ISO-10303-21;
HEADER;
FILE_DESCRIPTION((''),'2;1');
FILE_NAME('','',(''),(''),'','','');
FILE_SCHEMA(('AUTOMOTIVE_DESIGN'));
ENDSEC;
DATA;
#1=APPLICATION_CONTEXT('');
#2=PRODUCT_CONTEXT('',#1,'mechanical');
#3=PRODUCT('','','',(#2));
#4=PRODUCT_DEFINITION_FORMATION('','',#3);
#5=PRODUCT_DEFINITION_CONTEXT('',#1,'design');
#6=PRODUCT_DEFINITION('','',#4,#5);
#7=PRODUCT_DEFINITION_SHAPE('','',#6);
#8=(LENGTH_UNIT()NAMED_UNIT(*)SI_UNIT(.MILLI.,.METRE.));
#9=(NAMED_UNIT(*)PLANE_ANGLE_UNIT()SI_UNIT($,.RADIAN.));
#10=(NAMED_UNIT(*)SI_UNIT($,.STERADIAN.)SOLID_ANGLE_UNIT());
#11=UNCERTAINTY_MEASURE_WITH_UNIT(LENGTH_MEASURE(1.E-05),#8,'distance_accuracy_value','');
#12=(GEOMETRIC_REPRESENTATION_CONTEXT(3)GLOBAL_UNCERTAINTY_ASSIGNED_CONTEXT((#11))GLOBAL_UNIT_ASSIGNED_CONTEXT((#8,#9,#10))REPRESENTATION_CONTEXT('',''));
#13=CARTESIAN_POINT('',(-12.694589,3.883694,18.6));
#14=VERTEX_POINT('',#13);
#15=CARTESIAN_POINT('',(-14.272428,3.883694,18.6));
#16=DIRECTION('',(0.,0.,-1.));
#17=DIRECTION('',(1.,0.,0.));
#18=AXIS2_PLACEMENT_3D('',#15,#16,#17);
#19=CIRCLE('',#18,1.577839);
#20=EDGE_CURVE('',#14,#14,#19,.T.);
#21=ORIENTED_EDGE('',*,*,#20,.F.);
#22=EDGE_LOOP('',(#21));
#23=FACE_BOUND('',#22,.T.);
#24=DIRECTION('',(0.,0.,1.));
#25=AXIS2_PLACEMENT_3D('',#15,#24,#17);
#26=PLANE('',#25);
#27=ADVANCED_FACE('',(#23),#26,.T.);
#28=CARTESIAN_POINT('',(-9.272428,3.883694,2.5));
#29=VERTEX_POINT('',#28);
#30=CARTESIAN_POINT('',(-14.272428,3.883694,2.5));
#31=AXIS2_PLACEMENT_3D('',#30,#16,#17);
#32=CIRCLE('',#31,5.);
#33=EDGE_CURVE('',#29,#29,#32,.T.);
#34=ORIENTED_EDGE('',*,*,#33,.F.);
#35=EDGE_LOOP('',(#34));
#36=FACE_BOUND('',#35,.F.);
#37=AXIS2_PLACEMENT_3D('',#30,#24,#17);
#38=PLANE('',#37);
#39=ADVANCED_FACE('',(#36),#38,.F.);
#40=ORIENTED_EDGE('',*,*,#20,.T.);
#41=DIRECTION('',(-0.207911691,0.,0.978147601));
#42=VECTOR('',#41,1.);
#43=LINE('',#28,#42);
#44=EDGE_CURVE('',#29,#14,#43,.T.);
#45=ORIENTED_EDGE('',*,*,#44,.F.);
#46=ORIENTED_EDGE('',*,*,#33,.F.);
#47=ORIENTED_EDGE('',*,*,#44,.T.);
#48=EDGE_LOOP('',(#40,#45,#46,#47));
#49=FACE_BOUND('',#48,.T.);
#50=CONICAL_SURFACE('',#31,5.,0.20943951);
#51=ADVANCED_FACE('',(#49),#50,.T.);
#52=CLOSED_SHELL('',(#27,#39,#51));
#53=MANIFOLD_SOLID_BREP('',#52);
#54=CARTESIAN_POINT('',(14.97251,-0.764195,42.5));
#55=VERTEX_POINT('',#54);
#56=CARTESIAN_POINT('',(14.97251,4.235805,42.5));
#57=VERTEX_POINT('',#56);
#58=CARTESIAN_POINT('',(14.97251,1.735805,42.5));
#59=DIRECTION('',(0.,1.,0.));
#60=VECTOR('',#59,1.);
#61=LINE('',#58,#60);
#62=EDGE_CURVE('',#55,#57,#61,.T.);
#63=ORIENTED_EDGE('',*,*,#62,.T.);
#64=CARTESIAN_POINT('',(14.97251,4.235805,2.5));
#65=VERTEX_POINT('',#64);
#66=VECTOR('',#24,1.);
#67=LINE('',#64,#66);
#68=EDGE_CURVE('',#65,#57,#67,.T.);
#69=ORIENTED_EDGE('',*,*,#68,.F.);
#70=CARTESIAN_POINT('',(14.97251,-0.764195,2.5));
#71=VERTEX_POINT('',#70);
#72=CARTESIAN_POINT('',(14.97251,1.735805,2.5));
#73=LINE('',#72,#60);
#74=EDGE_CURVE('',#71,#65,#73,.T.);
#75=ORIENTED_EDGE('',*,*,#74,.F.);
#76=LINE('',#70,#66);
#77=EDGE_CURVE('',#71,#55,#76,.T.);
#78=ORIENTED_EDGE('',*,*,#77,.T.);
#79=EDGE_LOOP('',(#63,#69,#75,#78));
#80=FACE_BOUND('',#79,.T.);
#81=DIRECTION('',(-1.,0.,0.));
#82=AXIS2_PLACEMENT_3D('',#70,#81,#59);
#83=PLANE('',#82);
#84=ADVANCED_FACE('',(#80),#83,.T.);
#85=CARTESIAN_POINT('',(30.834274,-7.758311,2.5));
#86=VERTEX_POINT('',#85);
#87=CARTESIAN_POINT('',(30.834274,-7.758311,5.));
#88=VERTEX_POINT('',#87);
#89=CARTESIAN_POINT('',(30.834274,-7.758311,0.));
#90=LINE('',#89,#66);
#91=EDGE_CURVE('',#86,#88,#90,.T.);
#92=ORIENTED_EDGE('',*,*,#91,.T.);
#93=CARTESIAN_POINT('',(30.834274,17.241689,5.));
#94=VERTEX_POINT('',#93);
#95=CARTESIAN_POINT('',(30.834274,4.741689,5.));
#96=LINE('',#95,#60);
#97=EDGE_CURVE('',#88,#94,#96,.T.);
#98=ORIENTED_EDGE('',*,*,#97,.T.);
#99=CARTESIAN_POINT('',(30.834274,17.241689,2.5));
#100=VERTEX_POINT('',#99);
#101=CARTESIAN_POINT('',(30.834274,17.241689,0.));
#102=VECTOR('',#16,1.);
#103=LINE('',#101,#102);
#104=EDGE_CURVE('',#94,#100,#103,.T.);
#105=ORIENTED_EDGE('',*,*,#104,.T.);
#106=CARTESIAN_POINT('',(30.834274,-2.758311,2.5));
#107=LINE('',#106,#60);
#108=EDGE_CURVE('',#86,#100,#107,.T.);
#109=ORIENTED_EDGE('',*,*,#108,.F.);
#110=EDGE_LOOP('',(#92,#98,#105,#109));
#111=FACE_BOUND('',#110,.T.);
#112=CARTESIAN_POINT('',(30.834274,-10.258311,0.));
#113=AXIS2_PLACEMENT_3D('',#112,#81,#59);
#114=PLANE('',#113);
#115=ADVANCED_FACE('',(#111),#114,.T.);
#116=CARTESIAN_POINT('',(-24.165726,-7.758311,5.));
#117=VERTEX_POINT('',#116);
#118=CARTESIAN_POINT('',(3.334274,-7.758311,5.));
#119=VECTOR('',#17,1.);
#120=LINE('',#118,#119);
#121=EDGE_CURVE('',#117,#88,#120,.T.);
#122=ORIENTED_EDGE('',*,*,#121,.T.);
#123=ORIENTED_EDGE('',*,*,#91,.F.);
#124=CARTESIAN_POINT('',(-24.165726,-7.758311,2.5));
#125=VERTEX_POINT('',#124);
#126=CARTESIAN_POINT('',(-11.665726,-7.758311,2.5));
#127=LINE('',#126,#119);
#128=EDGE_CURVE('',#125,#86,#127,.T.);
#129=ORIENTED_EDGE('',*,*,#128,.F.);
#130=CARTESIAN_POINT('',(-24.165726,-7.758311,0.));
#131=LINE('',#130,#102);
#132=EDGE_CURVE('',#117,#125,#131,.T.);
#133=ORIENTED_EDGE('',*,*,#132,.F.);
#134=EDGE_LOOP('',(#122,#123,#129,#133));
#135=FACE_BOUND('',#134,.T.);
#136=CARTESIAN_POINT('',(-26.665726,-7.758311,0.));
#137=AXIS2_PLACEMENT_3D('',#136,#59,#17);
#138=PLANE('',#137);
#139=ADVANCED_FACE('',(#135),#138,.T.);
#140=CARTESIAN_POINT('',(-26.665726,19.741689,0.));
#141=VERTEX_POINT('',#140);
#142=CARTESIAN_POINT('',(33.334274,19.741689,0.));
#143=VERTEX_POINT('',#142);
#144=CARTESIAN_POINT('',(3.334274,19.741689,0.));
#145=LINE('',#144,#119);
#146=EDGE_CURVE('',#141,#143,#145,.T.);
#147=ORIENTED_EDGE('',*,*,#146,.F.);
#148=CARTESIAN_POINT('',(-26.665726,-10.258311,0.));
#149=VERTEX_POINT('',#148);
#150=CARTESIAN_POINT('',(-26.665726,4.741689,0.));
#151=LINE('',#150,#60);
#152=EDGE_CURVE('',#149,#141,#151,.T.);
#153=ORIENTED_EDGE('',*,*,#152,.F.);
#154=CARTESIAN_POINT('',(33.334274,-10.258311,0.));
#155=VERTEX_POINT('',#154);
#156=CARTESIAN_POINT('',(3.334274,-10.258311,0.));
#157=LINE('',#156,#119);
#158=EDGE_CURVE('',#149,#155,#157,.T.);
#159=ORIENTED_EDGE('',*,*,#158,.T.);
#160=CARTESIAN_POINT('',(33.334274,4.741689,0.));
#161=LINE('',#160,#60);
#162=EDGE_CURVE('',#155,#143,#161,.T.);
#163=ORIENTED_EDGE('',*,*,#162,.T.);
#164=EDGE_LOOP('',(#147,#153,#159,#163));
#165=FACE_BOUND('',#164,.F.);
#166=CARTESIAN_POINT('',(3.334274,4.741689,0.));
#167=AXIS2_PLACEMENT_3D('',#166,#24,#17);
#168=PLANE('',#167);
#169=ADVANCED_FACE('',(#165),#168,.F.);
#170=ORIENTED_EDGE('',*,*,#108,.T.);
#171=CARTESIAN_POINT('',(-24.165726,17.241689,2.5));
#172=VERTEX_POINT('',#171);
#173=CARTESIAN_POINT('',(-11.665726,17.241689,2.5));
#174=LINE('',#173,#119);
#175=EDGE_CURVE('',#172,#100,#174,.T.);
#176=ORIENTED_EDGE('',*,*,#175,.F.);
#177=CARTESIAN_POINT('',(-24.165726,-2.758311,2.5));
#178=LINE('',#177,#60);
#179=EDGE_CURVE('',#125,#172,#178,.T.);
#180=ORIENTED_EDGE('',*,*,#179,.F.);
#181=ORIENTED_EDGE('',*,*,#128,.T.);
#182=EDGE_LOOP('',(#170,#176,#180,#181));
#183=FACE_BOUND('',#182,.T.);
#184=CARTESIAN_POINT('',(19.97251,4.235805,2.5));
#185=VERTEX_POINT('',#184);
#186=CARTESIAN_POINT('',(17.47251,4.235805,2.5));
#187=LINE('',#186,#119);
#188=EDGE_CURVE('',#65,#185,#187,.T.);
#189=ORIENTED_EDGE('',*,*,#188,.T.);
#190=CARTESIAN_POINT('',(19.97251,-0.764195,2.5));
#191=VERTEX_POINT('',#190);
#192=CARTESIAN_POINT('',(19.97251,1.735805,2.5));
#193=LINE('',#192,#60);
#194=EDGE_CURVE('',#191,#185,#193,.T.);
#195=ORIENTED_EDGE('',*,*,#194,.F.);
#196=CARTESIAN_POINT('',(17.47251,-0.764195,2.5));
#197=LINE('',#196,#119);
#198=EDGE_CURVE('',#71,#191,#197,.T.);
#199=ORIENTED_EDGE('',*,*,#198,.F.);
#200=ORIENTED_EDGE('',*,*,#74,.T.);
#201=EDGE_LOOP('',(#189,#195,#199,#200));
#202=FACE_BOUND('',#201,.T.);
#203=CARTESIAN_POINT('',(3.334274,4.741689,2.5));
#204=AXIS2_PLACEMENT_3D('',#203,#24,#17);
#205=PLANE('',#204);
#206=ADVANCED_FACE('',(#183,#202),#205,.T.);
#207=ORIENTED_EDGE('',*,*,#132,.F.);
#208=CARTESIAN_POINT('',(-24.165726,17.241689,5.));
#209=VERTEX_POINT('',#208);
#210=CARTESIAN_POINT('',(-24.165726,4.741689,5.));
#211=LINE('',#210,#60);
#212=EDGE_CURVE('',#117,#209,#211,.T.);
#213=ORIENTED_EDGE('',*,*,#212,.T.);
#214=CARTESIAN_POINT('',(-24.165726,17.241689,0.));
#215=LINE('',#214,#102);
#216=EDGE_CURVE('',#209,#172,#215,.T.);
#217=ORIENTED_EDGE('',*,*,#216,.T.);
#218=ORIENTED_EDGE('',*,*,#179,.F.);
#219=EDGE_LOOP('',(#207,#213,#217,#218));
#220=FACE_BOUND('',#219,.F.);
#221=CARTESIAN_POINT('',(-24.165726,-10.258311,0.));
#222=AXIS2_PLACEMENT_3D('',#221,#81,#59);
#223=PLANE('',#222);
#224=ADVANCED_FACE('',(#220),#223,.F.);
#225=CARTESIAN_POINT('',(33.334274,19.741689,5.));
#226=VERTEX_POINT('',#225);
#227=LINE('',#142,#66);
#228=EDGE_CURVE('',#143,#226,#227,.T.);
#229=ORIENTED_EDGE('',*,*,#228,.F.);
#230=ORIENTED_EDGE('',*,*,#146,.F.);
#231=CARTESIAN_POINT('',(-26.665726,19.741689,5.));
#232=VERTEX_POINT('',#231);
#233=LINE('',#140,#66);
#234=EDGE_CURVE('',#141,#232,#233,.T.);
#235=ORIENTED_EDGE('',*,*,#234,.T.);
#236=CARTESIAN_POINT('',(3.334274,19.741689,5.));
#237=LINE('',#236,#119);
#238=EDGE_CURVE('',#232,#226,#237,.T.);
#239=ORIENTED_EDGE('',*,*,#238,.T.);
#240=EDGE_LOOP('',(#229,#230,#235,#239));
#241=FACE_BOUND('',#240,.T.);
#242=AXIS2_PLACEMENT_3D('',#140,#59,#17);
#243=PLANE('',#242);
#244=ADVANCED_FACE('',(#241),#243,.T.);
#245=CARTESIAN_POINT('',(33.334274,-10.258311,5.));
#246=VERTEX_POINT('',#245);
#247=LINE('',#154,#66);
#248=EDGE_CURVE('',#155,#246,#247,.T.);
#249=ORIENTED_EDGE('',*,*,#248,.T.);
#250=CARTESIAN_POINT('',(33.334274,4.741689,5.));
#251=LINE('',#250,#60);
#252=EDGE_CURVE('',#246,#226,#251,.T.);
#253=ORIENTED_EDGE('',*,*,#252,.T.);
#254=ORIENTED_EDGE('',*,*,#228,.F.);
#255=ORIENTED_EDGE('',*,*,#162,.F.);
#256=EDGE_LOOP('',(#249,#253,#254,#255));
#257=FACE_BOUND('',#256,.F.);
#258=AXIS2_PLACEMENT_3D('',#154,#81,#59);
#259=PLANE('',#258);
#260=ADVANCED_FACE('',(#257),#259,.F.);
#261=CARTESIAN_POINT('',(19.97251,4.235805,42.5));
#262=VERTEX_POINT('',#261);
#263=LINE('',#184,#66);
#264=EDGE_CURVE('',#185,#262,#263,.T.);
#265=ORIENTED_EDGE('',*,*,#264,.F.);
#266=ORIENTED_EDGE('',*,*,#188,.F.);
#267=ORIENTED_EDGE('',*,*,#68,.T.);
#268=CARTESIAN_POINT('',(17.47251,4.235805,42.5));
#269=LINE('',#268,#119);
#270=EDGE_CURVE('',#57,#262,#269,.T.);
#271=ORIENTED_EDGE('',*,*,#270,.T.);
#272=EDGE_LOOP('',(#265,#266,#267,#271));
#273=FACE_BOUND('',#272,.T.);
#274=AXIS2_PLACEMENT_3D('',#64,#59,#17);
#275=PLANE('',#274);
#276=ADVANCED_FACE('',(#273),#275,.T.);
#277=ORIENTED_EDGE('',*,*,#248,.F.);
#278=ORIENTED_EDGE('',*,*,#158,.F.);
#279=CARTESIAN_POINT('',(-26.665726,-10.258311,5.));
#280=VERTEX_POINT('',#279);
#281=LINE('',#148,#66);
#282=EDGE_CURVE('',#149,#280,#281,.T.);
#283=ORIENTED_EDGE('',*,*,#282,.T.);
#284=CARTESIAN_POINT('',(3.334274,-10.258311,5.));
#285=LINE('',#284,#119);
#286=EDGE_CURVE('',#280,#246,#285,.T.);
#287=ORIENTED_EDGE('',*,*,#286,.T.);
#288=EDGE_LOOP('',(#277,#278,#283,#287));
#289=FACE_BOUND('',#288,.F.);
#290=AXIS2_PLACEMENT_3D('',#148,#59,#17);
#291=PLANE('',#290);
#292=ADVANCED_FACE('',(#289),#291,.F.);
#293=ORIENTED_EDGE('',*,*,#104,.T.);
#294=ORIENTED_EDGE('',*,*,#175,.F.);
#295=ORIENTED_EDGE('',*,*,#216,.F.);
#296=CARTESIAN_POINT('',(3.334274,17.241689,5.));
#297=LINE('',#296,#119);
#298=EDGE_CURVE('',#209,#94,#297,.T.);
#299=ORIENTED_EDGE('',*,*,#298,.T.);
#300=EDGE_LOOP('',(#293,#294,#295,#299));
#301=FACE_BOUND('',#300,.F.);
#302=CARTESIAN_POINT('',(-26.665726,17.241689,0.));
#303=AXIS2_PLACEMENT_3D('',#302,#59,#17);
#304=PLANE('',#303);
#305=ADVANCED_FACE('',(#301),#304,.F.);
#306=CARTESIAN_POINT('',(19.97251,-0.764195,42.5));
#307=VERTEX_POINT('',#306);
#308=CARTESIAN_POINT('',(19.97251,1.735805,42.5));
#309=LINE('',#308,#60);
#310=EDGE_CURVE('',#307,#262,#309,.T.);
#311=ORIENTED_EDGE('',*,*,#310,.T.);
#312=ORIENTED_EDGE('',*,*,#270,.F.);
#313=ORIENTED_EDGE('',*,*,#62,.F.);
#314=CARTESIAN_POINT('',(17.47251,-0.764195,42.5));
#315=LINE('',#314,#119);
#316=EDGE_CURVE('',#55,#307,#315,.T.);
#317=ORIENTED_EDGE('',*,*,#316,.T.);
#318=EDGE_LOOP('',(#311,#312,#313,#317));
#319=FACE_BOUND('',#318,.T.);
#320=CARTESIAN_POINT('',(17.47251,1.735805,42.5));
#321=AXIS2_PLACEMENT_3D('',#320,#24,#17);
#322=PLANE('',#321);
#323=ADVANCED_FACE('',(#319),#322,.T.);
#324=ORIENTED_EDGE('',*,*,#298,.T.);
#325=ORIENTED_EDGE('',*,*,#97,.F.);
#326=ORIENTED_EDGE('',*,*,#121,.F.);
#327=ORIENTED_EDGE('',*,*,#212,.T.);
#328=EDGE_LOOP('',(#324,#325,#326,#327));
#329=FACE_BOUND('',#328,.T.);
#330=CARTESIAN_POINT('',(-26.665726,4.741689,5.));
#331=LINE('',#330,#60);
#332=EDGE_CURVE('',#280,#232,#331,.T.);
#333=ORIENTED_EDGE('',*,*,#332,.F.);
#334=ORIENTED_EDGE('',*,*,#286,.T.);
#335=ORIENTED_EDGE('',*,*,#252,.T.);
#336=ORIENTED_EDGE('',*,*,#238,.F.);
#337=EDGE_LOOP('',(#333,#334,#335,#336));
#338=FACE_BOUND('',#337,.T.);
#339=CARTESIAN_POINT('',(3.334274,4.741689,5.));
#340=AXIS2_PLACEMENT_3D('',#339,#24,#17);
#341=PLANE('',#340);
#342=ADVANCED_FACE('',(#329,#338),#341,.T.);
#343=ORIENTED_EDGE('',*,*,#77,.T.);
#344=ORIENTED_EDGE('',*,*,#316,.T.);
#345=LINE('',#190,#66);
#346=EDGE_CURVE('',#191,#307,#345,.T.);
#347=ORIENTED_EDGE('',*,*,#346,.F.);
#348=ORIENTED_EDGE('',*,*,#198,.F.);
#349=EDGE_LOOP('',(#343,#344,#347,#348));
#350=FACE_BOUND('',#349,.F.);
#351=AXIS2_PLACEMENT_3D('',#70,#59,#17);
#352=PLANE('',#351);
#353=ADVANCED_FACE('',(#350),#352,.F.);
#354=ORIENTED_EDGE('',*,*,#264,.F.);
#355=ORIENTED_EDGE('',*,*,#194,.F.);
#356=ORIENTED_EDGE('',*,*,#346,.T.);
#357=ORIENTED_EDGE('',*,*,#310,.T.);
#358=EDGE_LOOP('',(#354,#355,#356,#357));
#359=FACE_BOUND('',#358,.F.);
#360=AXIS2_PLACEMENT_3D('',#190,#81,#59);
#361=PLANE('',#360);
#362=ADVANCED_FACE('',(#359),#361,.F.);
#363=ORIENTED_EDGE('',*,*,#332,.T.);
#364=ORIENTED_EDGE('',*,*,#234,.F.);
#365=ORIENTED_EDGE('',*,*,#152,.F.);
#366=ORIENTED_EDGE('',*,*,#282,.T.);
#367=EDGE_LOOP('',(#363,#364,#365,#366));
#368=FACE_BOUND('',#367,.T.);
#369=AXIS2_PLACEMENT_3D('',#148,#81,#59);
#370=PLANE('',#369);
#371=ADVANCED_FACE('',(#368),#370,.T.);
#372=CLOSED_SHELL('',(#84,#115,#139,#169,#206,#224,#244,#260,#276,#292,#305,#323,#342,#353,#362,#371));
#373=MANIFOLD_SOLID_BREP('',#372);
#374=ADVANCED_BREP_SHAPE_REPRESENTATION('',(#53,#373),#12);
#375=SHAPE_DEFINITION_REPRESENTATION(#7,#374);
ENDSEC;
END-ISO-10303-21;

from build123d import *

# Parameters (mm, degrees)
F0_W     = 60
F0_H     = 30
F1_DEPTH = 5
F2_T     = -2.5
F3_R     = 5
F4_DEPTH = 16.1
F4_TAPER = 12
F7_W     = 5
F7_H     = 5
F8_DEPTH = 40


with BuildPart() as f1:
    # F0 (on Top) → F1 (new body)
    with BuildSketch(Plane.XY):
        with Locations((3.3342742734, 4.7416886237)):
            Rectangle(F0_W, F0_H)
    extrude(amount=F1_DEPTH)

    # F2
    f2_openings = [f1.faces().sort_by_distance(p)[0] for p in [
        (3.334274, 4.741689, 5),
    ]]
    offset(amount=F2_T, openings=f2_openings)

    # F7 (on face) → F8 (join)
    with BuildSketch(Plane.XY.offset(2.5)):
        with Locations((17.4725097045, 1.7358051971)):
            Rectangle(F7_W, F7_H)
    extrude(amount=F8_DEPTH)


with BuildPart() as f4:
    # F3 (on Top) → F4 (new body)
    with BuildSketch(Plane.XY):
        with Locations((22.6275715977, 1.1836937629)):
            Circle(F3_R)
    extrude(amount=F4_DEPTH, taper=F4_TAPER)


with BuildPart() as f4_1:
    # F5: moved
    add(f4.part.moved(Location((-37, 2.7, 5.7))))


with BuildPart() as f4_2:
    # F6: moved
    add(f4_1.part.moved(Location((0.1, 0, -3.2))))


solid = Compound([f1.part, f4_2.part])
